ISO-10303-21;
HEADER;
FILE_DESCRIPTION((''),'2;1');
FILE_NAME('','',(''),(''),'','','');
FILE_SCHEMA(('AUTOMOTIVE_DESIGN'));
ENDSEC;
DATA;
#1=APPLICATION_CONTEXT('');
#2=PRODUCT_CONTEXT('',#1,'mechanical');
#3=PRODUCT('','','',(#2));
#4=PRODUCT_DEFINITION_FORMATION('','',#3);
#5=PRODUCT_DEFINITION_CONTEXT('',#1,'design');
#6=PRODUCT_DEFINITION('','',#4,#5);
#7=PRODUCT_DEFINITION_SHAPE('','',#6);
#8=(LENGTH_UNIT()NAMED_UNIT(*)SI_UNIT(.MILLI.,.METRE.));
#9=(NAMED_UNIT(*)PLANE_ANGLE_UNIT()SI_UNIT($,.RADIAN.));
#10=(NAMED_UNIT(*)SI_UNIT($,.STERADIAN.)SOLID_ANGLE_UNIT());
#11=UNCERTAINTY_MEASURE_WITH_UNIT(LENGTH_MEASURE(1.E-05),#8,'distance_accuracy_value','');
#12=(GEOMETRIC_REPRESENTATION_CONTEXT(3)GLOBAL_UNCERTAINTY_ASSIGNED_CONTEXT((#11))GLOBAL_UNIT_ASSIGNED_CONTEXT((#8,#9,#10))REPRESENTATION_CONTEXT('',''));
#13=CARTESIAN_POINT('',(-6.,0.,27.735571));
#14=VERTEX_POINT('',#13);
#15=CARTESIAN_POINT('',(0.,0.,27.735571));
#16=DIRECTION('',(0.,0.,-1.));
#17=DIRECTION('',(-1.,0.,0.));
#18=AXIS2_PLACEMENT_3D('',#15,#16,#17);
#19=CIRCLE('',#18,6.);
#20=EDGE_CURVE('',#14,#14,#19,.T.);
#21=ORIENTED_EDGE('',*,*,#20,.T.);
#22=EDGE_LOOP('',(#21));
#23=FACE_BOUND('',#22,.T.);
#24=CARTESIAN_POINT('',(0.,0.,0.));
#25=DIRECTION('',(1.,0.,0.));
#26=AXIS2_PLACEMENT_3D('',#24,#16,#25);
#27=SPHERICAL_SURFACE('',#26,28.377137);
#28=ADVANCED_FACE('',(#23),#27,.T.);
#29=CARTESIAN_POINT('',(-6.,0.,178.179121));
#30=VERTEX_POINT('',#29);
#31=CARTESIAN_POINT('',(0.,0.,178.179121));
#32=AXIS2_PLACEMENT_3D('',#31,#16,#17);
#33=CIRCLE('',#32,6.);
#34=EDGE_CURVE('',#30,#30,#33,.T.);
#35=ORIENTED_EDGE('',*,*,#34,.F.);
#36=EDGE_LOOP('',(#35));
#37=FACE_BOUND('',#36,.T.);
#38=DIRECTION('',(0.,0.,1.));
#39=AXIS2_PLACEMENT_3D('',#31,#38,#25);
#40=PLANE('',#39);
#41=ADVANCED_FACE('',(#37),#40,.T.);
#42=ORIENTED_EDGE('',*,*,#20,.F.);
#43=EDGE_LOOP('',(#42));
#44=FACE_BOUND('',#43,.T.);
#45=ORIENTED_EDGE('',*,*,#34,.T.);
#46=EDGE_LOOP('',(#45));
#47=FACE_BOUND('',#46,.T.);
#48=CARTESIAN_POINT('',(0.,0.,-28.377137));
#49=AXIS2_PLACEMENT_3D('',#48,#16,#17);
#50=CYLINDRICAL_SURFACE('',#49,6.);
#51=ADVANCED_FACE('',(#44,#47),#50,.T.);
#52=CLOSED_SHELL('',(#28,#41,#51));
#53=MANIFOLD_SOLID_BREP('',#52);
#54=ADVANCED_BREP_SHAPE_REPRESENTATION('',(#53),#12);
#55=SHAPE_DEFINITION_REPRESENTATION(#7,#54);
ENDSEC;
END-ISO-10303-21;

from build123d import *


with BuildPart() as part:
    # Sketch2 → Revolve2 (revolve)
    with BuildSketch(Plane(origin=(0, 0, 0), x_dir=(1, 0, 0), z_dir=(0, 1, 0)), mode=Mode.PRIVATE) as revolve2_sk:
        with BuildLine():
            Line((0, 28.377137052), (0, -28.179120792))
            Line((0, -28.179120792), (0, -178.179120792))
            Line((0, -178.179120792), (-6, -178.179120792))
            Line((-6, -178.179120792), (-6, -27.735571154))
            ThreePointArc((-6, -27.735571154), (-28.21628972, 3.01710154), (0, 28.377137052))
        make_face()
    revolve(revolve2_sk.sketch.rotate(Axis((0, 0, -28.377137052), (0, 0, 1)), 180), axis=Axis((0, 0, -28.377137052), (0, 0, 1)))


solid = part.part
